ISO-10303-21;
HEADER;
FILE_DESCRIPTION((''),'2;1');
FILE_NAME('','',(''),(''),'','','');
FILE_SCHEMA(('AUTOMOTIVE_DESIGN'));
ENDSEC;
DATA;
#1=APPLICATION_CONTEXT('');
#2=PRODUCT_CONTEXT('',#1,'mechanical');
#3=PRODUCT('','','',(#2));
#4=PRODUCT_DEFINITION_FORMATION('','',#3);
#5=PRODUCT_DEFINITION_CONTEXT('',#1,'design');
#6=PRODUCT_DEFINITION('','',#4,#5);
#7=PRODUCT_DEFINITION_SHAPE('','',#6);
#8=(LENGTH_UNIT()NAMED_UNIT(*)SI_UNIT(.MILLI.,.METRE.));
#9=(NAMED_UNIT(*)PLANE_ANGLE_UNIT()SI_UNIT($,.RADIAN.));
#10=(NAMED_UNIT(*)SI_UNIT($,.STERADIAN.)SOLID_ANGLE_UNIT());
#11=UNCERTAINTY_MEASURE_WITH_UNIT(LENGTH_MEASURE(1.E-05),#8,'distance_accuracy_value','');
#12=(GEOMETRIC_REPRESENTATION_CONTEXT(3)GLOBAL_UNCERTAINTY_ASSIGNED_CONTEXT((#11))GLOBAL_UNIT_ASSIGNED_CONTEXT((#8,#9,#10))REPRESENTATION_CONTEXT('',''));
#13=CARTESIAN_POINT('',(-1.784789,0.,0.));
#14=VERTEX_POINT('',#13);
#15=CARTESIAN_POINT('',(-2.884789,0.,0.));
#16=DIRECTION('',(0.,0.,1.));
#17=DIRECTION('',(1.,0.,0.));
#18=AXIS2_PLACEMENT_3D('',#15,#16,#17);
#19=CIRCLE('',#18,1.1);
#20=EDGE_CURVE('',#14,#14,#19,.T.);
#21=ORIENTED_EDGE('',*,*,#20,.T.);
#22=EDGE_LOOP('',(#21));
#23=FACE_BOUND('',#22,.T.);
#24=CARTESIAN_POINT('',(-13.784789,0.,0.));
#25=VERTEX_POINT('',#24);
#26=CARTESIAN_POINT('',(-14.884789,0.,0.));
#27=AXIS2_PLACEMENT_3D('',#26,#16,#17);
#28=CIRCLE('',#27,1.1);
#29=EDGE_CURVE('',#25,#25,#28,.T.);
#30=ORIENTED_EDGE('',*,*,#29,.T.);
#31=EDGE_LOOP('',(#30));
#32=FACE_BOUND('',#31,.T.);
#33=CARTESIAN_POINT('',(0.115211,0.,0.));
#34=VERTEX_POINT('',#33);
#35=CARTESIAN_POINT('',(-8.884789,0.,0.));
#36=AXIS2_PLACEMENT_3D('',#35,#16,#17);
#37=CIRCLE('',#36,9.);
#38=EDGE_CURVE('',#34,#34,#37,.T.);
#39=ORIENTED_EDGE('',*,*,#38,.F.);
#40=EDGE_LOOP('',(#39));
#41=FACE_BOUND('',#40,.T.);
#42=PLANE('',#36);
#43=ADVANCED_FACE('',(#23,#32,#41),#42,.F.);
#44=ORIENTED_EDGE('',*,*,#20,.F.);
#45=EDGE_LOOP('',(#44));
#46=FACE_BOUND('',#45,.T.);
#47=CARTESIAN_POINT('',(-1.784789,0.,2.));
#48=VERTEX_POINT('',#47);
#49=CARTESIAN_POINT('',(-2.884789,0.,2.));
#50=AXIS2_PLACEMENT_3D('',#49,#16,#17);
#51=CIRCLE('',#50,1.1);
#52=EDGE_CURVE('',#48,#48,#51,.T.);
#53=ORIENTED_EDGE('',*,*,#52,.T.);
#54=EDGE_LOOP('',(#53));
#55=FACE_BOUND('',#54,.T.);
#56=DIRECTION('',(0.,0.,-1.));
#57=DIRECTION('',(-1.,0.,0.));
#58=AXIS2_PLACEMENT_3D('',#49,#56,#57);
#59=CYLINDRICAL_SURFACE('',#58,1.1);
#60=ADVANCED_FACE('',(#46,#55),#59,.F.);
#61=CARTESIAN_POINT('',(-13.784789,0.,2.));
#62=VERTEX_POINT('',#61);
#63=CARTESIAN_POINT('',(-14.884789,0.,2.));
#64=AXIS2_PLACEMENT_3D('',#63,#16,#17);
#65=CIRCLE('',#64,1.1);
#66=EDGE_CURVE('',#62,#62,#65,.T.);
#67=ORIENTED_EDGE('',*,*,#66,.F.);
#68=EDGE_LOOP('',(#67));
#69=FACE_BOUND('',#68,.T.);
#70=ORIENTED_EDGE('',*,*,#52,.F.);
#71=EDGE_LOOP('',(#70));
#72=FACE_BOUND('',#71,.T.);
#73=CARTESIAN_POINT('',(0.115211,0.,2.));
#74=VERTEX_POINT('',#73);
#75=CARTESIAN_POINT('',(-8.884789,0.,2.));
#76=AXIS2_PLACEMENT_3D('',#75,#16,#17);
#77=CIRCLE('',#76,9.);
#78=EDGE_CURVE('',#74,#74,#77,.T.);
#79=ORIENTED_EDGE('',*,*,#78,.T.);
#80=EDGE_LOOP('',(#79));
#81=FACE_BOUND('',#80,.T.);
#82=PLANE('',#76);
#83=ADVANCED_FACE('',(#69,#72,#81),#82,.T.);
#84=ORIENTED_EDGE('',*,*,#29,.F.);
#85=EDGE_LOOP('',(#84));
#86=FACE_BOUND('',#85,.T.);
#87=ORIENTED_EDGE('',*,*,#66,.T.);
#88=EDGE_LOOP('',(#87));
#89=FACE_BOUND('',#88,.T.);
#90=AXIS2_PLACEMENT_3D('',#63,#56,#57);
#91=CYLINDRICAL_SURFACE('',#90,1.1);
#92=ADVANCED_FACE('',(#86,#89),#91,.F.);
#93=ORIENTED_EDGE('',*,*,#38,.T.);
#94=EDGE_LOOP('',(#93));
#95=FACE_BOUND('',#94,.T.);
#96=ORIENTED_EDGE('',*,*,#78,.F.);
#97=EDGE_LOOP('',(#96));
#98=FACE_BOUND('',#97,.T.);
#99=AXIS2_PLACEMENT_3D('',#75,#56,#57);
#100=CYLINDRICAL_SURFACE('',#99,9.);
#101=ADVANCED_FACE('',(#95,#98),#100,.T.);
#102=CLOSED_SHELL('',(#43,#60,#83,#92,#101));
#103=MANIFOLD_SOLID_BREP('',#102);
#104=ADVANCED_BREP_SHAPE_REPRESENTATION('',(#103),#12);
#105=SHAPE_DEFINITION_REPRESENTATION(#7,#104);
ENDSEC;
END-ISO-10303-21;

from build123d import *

# Parameters (mm, degrees)
SKETCH_1_R      = 9
SKETCH_1_R_2    = 1.1
EXTRUDE_1_DEPTH = 2


with BuildPart() as part:
    # 草图1 → 凸台-拉伸1 (new body)
    with BuildSketch(Plane.XY):
        with Locations((-8.8847886, 0)):
            Circle(SKETCH_1_R)
        with Locations((-14.8847886, 0)):
            Circle(SKETCH_1_R_2, mode=Mode.SUBTRACT)
        with Locations((-2.8847886, 0)):
            Circle(SKETCH_1_R_2, mode=Mode.SUBTRACT)
    extrude(amount=EXTRUDE_1_DEPTH)


solid = part.part
